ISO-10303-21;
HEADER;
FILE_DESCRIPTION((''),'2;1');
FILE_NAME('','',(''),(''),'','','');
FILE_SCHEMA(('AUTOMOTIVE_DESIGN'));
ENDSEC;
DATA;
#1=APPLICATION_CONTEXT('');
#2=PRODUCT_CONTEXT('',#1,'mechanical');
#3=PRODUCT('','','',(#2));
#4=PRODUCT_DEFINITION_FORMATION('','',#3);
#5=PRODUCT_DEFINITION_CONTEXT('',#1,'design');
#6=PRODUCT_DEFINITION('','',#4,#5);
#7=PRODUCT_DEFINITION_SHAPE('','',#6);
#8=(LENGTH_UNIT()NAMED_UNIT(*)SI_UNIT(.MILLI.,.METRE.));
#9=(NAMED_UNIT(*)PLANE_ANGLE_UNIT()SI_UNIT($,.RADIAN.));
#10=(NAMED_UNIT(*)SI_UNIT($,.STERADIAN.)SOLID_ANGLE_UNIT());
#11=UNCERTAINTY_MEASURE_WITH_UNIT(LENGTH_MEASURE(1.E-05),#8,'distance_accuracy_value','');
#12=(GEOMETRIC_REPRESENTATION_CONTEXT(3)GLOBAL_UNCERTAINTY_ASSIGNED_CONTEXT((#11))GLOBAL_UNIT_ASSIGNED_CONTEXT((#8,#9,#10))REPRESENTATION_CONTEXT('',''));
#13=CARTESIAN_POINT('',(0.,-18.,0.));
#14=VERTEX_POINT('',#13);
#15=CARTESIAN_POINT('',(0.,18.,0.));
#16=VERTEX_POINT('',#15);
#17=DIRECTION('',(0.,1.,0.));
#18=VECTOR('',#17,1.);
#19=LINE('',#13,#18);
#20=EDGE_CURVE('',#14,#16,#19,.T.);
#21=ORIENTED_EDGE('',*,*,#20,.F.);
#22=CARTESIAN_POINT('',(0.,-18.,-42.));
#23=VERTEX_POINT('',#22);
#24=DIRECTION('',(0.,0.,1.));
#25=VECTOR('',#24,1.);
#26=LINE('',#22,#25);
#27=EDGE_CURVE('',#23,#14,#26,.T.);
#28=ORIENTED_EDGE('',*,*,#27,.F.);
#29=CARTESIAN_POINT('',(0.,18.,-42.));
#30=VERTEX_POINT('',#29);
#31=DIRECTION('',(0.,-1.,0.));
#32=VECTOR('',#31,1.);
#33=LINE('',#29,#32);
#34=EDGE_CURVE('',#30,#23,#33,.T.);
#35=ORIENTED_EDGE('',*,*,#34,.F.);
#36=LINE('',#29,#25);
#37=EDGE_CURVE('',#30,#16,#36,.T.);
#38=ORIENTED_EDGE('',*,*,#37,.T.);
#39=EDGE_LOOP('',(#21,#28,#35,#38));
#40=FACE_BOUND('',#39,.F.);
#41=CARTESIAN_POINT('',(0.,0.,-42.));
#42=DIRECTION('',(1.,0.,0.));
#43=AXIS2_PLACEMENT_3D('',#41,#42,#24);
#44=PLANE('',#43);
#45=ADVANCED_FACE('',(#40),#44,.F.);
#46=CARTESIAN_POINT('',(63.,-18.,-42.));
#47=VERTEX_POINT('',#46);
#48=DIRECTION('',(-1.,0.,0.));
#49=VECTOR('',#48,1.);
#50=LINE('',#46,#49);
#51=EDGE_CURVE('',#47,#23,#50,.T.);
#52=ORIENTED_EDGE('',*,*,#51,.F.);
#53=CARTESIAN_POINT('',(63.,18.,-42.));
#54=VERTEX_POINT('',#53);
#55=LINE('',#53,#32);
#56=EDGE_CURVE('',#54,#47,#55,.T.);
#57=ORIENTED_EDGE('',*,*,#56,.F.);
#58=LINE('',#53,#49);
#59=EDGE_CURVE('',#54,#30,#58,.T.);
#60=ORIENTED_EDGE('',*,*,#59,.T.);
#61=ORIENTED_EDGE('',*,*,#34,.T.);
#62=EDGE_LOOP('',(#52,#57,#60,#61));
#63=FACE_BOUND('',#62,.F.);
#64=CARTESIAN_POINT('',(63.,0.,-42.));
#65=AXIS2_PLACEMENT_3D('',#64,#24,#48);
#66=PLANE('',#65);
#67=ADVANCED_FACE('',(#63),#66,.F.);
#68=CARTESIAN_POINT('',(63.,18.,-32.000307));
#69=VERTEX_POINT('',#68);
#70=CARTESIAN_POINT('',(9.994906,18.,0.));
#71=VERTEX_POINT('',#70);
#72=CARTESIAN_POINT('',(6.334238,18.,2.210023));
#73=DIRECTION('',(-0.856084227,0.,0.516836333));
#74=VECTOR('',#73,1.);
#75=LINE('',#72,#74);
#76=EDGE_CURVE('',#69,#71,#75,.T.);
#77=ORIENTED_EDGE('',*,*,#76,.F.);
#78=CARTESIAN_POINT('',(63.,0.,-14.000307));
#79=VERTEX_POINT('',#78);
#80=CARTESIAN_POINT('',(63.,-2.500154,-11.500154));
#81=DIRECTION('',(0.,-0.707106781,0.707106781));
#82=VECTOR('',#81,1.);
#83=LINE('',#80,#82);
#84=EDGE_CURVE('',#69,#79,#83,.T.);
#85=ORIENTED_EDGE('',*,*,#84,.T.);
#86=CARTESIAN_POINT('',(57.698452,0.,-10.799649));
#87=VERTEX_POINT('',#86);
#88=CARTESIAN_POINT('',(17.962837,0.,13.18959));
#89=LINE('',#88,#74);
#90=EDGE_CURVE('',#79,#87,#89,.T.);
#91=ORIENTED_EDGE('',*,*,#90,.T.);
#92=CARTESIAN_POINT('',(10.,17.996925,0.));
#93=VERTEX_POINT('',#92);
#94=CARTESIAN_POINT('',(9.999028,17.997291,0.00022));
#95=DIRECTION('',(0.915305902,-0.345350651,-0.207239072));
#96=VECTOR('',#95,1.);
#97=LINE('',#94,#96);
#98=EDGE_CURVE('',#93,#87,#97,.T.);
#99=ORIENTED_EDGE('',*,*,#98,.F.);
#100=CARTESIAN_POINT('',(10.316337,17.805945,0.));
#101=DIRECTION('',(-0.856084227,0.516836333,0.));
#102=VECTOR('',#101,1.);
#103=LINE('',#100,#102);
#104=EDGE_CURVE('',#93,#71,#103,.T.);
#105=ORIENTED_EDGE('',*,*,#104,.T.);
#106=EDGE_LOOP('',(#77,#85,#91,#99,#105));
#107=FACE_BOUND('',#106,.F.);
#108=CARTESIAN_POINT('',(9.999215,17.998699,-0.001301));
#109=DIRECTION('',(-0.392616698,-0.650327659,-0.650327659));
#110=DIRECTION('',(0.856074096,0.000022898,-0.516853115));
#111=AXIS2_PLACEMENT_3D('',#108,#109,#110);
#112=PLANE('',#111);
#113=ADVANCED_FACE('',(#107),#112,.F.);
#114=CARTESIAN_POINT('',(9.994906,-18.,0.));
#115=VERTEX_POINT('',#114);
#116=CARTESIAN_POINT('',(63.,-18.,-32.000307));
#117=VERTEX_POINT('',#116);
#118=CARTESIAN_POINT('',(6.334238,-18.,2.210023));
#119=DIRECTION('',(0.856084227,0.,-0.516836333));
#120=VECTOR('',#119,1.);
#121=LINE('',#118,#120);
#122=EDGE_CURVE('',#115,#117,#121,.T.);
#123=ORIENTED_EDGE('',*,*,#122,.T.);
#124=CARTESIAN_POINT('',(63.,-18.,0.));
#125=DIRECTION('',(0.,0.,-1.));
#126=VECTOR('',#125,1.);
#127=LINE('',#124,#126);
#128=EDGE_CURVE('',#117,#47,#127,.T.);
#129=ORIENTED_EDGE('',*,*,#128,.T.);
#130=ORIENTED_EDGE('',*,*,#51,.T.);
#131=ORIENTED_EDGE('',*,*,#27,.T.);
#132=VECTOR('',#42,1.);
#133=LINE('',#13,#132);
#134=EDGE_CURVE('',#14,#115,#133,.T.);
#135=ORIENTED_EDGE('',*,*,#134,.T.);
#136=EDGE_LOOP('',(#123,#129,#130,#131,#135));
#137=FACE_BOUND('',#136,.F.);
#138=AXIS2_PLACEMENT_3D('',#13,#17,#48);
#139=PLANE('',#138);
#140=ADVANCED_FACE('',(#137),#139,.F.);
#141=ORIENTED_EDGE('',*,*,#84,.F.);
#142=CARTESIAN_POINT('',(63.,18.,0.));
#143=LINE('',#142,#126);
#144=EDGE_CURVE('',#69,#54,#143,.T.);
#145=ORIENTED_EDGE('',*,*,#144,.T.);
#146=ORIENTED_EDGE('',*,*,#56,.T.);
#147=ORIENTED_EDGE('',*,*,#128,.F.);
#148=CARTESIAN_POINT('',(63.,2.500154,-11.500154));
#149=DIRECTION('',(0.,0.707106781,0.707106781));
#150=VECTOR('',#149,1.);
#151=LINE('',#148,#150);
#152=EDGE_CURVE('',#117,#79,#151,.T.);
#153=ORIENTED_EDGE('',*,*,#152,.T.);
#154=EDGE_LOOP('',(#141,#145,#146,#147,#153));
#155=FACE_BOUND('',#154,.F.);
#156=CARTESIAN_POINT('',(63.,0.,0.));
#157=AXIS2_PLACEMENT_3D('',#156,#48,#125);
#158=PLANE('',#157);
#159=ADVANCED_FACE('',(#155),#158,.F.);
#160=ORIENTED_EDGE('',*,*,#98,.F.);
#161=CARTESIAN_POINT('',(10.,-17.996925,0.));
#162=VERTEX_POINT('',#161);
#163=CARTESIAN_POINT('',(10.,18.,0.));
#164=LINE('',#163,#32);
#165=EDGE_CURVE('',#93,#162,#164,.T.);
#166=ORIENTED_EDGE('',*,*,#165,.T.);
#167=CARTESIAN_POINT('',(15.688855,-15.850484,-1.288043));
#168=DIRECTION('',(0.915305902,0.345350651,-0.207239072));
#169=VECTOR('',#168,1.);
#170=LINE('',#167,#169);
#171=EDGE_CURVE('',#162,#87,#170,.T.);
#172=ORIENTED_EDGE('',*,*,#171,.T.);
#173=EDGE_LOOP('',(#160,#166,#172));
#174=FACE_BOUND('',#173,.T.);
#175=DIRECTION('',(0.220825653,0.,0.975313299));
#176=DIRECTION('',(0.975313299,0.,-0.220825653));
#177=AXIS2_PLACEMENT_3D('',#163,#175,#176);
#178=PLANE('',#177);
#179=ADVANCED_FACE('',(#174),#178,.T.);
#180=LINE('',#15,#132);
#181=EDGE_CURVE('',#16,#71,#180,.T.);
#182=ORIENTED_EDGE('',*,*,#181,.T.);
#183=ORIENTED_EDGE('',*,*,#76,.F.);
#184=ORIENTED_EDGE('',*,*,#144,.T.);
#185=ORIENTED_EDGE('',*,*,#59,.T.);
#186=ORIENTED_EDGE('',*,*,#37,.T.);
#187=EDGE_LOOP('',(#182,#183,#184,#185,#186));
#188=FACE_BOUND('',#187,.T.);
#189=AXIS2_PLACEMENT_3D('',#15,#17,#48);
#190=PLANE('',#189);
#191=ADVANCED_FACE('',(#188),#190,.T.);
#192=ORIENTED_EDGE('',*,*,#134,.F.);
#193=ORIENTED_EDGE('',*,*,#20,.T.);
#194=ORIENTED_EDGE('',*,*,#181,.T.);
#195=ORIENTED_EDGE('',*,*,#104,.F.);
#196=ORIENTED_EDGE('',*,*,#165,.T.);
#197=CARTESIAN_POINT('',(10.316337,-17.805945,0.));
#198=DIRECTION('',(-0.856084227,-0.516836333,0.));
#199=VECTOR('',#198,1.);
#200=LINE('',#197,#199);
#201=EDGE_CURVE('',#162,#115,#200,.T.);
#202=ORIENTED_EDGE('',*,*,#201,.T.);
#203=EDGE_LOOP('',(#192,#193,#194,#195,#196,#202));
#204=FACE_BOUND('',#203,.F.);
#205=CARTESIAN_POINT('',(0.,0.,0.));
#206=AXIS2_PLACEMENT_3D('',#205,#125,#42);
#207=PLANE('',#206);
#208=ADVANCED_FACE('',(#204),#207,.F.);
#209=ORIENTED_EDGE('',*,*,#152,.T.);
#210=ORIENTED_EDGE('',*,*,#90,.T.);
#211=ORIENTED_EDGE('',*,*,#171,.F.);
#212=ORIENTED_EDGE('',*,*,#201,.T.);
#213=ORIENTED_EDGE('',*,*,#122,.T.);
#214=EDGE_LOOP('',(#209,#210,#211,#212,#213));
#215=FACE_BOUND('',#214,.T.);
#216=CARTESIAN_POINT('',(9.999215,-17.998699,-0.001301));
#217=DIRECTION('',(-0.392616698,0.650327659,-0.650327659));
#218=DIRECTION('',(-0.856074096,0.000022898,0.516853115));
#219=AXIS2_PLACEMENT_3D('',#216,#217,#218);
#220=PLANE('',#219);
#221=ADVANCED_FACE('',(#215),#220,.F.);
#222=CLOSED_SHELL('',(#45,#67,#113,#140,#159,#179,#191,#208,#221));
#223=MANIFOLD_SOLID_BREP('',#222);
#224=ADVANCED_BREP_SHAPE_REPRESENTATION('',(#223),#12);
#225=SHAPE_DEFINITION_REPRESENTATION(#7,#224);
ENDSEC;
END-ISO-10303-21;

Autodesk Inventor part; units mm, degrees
ref_plane "YZ Plane" through (0, 0, 0) normal (1, 0, 0) x (0, 1, 0)
ref_plane "XZ Plane" through (0, 0, 0) normal (0, 1, 0) x (-1, 0, 0)
sketch "草圖1" plane through (0, 0, 0) normal (0, 1, 0) x (-1, 0, 0)
  line L0 (0, 0) -> (-63, 0)
  line L1 (-63, 0) -> (-63, -42)
  line L2 (-63, -42) -> (0, -42)
  line L3 (0, -42) -> (0, 0)
  dimension "d0" = 63
  dimension "d1" = 42
extrude "擠出1" add sketch "草圖1" along normal mid plane 36
sketch "草圖2" plane through (0, 18, 0) normal (0, 1, 0) x (1, 0, 0)
  line L0 (0, 0) -> (63, 0) projected
  line L1 (10, 0) -> (63, 12)
  line L2 (63, 0) -> (63, 42) projected
  dimension "d4" = 10
  dimension "d5" = 30
extrude "擠出2" cut sketch "草圖2" against normal blind 40
sketch "草圖3" plane through (63, -18, -42) normal (1, 0, 0) x (0, 0, -1)
  line L0 (-30, 16) -> (-10, 36)
  line L1 (0, 36) -> (-42, 36) projected
  line L2 (-30, 36) -> (-30, 0) projected
  point P0 (-42, 18)
  dimension "d8" = 20
  dimension "d9" = 20
ref_plane "工作平面1" through (10, 18, 0) normal (-0.3926, -0.6503, -0.6503) x (0.8561, 0, -0.5169)
sketch "草圖4" plane through (10, 18, 0) normal (-0.3926, -0.6503, -0.6503) x (0.8561, 0, -0.5169)
  line L0 (-15.1543, -12.3218) -> (93.717, -12.3218)
  line L1 (93.717, -12.3218) -> (93.717, 28.8166)
  line L2 (93.717, 28.8166) -> (-15.1543, 28.8166)
  line L3 (-15.1543, 28.8166) -> (-15.1543, -12.3218)
  point P0 (-8.5606, 10.3126)
extrude "擠出3" cut sketch "草圖4" against normal blind 40
mirror "鏡射1" about plane through (0, 0, 0) normal (0, 1, 0) of "擠出3"
properties part number "19"
